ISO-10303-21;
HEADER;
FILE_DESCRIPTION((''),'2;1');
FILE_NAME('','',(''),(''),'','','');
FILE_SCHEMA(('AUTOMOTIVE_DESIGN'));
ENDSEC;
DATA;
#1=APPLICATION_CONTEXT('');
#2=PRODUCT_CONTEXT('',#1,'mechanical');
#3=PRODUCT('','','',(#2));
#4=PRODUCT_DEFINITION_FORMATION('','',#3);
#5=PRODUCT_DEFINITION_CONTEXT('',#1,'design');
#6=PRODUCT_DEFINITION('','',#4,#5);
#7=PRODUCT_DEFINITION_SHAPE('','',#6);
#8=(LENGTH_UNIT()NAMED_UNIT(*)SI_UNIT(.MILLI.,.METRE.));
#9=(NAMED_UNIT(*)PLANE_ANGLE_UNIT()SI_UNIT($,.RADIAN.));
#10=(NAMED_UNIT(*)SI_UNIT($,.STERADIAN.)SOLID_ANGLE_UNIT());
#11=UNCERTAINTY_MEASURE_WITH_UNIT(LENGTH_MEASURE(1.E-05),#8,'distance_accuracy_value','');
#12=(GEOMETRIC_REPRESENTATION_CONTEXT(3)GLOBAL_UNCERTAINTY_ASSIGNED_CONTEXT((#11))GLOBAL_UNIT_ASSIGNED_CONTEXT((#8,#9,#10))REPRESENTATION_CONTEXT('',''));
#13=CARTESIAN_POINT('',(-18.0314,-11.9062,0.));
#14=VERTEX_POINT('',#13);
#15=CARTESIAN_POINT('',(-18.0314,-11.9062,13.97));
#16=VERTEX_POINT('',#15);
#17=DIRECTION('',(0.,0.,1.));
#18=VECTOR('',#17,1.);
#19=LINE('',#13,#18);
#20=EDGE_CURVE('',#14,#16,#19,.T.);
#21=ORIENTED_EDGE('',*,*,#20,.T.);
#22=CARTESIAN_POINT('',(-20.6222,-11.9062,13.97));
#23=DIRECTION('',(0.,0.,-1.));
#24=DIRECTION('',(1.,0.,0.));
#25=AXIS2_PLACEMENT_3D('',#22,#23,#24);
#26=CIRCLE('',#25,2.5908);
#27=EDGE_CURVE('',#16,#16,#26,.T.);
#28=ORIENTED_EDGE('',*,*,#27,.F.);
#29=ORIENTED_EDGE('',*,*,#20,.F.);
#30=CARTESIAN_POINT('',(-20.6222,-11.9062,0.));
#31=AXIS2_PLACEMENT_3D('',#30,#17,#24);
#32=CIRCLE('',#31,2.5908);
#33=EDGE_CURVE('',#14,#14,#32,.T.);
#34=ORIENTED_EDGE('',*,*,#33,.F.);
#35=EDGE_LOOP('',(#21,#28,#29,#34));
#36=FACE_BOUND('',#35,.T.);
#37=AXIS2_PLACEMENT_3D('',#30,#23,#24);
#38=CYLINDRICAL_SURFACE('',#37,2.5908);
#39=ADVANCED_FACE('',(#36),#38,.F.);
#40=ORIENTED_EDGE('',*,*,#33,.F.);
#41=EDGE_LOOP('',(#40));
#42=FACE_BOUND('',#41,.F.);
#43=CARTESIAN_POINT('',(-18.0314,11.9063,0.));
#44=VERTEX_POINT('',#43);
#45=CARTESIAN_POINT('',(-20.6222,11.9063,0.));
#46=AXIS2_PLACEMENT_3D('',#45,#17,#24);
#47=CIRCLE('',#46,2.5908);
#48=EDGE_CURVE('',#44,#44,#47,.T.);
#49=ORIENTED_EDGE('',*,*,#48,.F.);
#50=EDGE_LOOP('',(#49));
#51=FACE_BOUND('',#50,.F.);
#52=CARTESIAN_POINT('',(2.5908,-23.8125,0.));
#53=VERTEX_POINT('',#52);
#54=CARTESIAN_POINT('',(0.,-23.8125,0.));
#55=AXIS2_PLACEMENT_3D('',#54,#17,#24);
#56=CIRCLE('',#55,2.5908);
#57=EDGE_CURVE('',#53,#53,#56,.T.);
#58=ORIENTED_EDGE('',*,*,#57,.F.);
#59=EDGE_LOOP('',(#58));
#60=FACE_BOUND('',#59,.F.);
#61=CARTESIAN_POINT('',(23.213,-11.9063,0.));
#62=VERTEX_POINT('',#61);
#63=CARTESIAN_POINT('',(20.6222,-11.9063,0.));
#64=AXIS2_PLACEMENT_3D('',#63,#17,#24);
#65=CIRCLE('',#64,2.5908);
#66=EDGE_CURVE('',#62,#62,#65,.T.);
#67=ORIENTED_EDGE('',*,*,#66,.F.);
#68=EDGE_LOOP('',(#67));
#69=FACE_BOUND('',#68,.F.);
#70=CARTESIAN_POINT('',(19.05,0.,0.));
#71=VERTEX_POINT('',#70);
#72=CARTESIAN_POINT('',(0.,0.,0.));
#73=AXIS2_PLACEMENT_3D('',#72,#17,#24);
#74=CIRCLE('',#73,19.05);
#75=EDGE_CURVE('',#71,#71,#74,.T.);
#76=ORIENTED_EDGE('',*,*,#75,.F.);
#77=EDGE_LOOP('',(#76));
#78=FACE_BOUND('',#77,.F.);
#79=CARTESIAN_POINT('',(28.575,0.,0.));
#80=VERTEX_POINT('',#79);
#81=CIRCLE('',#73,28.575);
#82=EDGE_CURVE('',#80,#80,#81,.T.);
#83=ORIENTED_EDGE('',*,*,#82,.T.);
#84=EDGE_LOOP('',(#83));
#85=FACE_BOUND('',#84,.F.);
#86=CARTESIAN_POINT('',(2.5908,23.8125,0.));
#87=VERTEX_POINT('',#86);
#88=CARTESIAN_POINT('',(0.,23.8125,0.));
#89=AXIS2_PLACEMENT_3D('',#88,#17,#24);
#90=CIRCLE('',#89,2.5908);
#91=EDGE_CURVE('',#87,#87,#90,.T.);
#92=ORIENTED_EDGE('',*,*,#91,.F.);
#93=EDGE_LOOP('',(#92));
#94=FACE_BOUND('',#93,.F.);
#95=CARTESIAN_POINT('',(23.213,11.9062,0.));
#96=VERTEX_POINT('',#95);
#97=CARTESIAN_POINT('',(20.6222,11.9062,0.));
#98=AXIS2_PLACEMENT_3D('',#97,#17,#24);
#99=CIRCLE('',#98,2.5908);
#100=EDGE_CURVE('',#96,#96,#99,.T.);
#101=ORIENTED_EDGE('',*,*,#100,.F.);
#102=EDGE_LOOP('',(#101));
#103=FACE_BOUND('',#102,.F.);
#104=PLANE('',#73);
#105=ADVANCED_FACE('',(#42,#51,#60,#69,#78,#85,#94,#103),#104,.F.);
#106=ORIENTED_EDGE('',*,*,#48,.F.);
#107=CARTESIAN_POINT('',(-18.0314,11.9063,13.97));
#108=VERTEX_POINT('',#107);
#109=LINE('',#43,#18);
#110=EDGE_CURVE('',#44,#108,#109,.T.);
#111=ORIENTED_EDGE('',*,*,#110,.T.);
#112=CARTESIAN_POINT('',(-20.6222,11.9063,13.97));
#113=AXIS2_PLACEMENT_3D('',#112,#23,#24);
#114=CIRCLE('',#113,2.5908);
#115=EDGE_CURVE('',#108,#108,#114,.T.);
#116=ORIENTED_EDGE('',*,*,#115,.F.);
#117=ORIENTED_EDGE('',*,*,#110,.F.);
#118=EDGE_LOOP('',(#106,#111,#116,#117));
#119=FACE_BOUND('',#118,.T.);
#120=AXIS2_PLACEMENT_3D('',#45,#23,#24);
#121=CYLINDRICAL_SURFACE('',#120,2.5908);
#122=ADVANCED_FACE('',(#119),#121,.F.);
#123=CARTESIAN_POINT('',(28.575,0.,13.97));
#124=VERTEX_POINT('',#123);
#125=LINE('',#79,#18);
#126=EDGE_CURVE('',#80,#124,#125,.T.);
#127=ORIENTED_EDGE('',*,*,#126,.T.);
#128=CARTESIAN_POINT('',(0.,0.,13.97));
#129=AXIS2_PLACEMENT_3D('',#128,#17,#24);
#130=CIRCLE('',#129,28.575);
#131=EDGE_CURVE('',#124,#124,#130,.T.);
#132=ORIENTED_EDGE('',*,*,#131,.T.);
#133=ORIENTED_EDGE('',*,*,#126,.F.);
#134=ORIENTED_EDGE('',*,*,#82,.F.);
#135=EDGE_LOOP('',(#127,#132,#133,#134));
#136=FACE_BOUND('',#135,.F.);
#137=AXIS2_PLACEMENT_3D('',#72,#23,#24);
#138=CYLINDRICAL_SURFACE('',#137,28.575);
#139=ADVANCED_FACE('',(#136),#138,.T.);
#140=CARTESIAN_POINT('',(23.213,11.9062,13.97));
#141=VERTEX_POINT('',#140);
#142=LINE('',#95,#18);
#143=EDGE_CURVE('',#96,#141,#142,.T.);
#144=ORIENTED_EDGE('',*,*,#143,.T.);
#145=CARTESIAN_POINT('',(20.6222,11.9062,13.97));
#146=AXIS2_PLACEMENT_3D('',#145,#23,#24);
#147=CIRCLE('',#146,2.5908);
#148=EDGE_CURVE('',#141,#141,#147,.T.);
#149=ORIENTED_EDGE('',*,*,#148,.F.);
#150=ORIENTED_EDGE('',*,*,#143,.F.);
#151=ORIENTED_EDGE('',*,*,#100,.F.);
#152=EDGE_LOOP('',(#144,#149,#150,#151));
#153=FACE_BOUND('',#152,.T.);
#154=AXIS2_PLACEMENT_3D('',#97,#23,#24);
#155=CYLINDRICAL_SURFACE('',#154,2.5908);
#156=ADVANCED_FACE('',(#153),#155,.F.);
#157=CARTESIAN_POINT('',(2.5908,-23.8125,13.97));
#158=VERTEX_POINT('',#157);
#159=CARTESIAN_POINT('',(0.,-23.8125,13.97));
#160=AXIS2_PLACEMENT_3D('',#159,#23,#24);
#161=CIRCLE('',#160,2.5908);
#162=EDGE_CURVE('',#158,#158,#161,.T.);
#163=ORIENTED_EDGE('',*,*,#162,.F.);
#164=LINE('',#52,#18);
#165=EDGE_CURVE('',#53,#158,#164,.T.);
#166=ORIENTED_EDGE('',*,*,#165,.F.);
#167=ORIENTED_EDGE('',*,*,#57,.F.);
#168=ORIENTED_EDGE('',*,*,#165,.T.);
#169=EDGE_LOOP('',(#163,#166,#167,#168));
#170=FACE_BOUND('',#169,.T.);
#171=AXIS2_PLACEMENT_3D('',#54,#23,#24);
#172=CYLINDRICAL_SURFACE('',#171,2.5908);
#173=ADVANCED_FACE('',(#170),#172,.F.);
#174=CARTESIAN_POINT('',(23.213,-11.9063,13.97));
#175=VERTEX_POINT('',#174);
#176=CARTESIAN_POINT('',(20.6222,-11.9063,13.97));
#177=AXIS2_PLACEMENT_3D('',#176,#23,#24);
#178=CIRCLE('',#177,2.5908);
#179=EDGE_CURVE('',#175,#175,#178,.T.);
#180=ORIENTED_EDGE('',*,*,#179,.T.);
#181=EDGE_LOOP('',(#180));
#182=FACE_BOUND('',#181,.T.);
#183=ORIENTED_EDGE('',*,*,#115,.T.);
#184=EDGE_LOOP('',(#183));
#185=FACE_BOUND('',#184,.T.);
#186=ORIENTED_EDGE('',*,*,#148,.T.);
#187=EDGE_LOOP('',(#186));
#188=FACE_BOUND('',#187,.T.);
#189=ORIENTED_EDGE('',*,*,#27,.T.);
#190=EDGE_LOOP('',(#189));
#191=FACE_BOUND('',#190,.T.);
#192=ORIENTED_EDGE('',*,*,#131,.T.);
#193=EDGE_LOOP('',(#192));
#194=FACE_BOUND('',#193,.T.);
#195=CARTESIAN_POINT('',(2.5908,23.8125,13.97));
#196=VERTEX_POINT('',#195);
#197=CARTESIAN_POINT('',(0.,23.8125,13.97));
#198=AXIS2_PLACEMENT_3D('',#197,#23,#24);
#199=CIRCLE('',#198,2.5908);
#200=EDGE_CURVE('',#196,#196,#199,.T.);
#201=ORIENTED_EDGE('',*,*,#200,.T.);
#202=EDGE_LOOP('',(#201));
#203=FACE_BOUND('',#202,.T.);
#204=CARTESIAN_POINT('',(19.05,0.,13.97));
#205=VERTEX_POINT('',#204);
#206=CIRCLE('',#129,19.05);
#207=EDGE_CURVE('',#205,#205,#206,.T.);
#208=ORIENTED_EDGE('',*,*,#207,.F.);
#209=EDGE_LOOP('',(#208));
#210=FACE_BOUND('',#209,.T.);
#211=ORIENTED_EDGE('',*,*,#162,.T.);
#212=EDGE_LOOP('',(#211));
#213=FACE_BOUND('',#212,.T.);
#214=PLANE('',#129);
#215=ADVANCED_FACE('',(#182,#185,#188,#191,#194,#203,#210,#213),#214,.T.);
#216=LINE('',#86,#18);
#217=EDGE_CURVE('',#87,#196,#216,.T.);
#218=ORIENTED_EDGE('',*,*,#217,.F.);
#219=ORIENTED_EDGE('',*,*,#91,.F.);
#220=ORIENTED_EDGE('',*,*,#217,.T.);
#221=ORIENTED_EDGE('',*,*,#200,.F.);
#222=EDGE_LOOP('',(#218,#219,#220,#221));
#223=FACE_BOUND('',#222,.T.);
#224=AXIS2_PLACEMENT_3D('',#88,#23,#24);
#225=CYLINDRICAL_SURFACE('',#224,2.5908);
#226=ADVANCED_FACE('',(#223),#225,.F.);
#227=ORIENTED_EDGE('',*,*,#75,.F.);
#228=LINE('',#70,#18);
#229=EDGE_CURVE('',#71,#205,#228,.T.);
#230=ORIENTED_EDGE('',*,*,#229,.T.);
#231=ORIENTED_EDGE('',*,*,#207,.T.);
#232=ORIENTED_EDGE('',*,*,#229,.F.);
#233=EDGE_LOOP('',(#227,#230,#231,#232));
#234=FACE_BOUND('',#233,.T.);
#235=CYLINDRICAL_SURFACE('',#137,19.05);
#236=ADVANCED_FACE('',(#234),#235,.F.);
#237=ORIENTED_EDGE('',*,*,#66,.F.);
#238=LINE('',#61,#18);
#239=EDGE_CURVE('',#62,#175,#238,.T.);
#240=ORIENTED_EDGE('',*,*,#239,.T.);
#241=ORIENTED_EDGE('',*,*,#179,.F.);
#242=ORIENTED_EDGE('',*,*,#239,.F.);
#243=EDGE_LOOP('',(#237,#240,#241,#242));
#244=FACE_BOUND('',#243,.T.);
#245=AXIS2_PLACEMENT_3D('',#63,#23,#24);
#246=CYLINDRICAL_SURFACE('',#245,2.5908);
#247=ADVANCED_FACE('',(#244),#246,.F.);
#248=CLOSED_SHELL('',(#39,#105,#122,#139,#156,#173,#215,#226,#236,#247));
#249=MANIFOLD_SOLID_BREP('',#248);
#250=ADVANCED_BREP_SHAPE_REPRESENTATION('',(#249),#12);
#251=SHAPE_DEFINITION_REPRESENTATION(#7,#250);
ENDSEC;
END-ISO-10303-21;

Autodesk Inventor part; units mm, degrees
ref_plane "YZ Plane" through (0, 0, 0) normal (1, 0, 0) x (0, 1, 0)
ref_plane "XZ Plane" through (0, 0, 0) normal (0, 1, 0) x (-1, 0, 0)
ref_plane "XY Plane" through (0, 0, 0) normal (0, 0, 1) x (1, 0, 0)
sketch "Sketch1" plane through (0, 0, 0) normal (0, 0, 1) x (1, 0, 0)
  circle A0 centre (0, 0) radius 28.575
  circle A1 centre (0, 0) radius 19.05
  dimension "d0" = 57.15
  dimension "d8" = 38.1
sketch "Sketch2" plane through (0, 0, 0) normal (0, 0, 1) x (1, 0, 0)
  circle A0 centre (0, 0) radius 23.8125
  circle A1 centre (0, 23.8125) radius 2.5908
  circle A2 centre (-20.6222, 11.9063) radius 2.5908
  circle A3 centre (-20.6222, -11.9062) radius 2.5908
  circle A4 centre (0, -23.8125) radius 2.5908
  circle A5 centre (20.6222, -11.9063) radius 2.5908
  circle A6 centre (20.6222, 11.9062) radius 2.5908
  dimension "d15" = 47.625
  dimension "d16" = 5.1816
  dimension "d19" = 360
extrude "Extrusion1" add sketch "Sketch1" along normal blind 13.97
extrude "Extrusion2" cut sketch "Sketch2" along normal blind 13.97 contours A6 A0 | A0 A6 | A5 A0 | A0 A5 | A1 A0 | A0 A1 | A4 A0 | A0 A4 | A2 A0 | A0 A2 | A3 A0 | A0 A3
properties part number "550 Sprocket Spacer (am-0651)" material "PC/ABS Plastic"
